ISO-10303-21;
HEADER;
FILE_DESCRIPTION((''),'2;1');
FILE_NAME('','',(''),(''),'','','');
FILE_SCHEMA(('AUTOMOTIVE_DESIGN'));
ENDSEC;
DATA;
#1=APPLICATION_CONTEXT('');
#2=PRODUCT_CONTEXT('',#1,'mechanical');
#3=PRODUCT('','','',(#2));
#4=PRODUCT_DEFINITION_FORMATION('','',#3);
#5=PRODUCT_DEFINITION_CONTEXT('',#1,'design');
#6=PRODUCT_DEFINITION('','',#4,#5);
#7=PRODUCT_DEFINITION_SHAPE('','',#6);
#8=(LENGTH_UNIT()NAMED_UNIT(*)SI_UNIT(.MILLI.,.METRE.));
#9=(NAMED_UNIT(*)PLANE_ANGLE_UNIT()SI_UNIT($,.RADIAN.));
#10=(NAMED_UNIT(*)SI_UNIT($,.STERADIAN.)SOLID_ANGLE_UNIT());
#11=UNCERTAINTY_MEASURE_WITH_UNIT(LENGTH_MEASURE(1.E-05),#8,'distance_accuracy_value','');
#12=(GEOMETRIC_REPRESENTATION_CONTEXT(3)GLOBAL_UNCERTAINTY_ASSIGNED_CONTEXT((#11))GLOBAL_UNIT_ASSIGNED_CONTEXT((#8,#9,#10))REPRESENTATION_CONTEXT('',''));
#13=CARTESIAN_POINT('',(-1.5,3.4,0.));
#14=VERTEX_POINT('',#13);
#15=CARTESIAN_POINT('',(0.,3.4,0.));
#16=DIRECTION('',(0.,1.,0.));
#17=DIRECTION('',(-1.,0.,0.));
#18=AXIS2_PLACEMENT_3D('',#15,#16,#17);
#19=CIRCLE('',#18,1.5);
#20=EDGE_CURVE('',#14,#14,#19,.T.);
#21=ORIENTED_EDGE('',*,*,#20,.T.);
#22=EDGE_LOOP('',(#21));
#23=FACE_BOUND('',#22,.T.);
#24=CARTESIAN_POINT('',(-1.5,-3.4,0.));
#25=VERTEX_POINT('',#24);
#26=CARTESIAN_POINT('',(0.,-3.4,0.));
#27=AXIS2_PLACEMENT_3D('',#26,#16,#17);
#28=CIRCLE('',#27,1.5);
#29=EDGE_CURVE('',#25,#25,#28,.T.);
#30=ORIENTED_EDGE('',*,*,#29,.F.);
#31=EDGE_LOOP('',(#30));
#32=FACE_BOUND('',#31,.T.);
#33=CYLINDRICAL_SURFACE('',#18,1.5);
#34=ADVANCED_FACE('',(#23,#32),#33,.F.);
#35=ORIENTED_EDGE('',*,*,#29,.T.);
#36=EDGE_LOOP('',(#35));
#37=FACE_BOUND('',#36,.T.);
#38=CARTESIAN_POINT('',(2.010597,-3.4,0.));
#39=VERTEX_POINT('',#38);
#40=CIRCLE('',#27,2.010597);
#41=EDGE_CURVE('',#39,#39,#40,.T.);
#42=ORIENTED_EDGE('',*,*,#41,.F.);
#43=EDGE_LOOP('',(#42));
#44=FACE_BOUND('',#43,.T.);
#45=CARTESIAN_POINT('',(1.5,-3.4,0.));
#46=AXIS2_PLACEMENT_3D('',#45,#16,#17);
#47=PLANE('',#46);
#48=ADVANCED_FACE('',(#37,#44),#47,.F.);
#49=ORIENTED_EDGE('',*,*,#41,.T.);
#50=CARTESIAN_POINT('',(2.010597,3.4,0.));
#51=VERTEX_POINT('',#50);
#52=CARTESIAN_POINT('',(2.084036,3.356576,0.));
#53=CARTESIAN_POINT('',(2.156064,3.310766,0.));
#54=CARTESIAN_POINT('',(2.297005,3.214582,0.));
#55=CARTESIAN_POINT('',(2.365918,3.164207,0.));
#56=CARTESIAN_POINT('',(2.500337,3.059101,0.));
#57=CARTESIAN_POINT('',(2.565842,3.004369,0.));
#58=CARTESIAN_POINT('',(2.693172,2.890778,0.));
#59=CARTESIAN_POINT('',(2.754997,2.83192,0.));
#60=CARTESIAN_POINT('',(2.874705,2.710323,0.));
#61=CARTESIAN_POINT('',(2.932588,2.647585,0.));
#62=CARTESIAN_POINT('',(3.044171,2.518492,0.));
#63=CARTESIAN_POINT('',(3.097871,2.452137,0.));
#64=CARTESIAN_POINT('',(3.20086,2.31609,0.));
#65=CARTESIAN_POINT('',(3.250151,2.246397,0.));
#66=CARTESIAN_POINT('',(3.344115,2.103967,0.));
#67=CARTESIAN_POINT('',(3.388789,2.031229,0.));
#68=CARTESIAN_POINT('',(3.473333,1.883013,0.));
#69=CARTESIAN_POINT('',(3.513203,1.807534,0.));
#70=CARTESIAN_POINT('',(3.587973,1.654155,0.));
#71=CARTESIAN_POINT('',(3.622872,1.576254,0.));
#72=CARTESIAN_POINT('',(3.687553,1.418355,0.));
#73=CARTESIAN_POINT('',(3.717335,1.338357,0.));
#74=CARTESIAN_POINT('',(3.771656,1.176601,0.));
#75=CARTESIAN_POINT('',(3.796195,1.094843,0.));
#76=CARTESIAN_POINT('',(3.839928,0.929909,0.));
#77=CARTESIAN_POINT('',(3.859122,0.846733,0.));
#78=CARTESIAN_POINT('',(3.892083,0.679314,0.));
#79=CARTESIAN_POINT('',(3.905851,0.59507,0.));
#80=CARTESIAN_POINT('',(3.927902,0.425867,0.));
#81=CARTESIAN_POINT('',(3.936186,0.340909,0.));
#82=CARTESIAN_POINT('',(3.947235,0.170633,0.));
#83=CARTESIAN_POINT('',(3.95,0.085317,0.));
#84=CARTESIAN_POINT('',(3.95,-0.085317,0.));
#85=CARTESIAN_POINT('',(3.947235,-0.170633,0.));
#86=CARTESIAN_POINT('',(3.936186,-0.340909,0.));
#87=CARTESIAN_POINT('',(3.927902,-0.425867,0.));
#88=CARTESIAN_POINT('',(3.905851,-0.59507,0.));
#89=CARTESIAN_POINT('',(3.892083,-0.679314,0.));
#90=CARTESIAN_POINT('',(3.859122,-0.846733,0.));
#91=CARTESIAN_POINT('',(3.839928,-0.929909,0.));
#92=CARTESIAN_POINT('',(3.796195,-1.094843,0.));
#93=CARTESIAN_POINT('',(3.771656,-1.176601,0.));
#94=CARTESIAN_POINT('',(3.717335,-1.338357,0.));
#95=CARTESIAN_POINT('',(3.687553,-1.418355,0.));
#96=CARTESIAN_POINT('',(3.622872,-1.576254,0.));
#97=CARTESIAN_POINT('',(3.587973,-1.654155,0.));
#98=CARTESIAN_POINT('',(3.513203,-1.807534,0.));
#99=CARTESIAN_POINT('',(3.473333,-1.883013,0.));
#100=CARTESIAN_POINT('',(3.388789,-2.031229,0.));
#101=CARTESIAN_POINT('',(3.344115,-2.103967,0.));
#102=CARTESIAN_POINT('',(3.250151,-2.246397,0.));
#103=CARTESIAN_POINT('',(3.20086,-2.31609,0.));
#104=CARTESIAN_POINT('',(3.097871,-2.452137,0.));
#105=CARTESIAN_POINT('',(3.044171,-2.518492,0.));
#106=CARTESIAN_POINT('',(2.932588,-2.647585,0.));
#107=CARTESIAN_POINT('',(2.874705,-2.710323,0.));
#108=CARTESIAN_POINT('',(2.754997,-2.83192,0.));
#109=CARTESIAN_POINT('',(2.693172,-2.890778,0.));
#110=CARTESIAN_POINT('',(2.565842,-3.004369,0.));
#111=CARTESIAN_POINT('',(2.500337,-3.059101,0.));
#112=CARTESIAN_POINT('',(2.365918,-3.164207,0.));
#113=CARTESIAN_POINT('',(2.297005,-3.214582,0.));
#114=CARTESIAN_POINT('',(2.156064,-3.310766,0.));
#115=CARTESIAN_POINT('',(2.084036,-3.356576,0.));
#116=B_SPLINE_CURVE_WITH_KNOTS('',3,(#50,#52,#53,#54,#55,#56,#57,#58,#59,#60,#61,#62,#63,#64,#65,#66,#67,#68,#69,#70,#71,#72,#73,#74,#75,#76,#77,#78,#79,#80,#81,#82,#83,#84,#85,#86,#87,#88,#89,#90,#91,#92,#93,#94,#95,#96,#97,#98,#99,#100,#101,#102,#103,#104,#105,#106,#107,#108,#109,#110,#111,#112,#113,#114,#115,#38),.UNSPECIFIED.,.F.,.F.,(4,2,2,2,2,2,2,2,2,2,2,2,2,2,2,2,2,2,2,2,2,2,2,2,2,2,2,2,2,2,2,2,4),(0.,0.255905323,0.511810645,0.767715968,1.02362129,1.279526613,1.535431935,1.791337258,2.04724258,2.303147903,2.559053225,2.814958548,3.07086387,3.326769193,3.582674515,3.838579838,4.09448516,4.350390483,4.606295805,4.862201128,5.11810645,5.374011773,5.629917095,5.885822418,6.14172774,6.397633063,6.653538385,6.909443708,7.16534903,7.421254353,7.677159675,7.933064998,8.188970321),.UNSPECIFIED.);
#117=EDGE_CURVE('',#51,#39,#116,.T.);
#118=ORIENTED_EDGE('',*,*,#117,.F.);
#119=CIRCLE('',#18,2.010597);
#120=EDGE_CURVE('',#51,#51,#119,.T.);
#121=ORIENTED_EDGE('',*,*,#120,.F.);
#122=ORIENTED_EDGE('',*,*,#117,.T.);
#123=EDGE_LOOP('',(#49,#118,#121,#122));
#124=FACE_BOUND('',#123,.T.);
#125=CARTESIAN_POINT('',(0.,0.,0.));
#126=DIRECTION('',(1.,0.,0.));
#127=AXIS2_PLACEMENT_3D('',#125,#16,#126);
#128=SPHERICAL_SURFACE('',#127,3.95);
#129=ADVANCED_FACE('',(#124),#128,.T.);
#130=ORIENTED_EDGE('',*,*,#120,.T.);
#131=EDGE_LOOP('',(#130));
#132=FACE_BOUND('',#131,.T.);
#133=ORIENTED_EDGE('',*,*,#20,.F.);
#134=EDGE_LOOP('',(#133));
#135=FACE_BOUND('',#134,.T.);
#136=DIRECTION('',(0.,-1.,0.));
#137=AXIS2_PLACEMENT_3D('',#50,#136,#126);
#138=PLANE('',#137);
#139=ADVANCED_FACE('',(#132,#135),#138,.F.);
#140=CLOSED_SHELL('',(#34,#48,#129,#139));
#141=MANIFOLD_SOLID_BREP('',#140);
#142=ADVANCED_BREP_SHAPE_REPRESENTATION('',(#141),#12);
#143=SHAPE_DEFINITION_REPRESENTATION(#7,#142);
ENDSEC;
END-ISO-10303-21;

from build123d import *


with BuildPart() as part:
    # Sketch1 → Revolve1 (revolve)
    with BuildSketch(Plane.XY):
        with BuildLine():
            Line((2.010596926, 3.4), (1.5, 3.4))
            Line((1.5, 3.4), (1.5, -3.4))
            Line((1.5, -3.4), (2.010596926, -3.4))
            ThreePointArc((2.010596926, -3.4), (3.95, 0), (2.010596926, 3.4))
        make_face()
    revolve(axis=Axis((0, 3.4, 0), (0, -1, 0)))


solid = part.part
